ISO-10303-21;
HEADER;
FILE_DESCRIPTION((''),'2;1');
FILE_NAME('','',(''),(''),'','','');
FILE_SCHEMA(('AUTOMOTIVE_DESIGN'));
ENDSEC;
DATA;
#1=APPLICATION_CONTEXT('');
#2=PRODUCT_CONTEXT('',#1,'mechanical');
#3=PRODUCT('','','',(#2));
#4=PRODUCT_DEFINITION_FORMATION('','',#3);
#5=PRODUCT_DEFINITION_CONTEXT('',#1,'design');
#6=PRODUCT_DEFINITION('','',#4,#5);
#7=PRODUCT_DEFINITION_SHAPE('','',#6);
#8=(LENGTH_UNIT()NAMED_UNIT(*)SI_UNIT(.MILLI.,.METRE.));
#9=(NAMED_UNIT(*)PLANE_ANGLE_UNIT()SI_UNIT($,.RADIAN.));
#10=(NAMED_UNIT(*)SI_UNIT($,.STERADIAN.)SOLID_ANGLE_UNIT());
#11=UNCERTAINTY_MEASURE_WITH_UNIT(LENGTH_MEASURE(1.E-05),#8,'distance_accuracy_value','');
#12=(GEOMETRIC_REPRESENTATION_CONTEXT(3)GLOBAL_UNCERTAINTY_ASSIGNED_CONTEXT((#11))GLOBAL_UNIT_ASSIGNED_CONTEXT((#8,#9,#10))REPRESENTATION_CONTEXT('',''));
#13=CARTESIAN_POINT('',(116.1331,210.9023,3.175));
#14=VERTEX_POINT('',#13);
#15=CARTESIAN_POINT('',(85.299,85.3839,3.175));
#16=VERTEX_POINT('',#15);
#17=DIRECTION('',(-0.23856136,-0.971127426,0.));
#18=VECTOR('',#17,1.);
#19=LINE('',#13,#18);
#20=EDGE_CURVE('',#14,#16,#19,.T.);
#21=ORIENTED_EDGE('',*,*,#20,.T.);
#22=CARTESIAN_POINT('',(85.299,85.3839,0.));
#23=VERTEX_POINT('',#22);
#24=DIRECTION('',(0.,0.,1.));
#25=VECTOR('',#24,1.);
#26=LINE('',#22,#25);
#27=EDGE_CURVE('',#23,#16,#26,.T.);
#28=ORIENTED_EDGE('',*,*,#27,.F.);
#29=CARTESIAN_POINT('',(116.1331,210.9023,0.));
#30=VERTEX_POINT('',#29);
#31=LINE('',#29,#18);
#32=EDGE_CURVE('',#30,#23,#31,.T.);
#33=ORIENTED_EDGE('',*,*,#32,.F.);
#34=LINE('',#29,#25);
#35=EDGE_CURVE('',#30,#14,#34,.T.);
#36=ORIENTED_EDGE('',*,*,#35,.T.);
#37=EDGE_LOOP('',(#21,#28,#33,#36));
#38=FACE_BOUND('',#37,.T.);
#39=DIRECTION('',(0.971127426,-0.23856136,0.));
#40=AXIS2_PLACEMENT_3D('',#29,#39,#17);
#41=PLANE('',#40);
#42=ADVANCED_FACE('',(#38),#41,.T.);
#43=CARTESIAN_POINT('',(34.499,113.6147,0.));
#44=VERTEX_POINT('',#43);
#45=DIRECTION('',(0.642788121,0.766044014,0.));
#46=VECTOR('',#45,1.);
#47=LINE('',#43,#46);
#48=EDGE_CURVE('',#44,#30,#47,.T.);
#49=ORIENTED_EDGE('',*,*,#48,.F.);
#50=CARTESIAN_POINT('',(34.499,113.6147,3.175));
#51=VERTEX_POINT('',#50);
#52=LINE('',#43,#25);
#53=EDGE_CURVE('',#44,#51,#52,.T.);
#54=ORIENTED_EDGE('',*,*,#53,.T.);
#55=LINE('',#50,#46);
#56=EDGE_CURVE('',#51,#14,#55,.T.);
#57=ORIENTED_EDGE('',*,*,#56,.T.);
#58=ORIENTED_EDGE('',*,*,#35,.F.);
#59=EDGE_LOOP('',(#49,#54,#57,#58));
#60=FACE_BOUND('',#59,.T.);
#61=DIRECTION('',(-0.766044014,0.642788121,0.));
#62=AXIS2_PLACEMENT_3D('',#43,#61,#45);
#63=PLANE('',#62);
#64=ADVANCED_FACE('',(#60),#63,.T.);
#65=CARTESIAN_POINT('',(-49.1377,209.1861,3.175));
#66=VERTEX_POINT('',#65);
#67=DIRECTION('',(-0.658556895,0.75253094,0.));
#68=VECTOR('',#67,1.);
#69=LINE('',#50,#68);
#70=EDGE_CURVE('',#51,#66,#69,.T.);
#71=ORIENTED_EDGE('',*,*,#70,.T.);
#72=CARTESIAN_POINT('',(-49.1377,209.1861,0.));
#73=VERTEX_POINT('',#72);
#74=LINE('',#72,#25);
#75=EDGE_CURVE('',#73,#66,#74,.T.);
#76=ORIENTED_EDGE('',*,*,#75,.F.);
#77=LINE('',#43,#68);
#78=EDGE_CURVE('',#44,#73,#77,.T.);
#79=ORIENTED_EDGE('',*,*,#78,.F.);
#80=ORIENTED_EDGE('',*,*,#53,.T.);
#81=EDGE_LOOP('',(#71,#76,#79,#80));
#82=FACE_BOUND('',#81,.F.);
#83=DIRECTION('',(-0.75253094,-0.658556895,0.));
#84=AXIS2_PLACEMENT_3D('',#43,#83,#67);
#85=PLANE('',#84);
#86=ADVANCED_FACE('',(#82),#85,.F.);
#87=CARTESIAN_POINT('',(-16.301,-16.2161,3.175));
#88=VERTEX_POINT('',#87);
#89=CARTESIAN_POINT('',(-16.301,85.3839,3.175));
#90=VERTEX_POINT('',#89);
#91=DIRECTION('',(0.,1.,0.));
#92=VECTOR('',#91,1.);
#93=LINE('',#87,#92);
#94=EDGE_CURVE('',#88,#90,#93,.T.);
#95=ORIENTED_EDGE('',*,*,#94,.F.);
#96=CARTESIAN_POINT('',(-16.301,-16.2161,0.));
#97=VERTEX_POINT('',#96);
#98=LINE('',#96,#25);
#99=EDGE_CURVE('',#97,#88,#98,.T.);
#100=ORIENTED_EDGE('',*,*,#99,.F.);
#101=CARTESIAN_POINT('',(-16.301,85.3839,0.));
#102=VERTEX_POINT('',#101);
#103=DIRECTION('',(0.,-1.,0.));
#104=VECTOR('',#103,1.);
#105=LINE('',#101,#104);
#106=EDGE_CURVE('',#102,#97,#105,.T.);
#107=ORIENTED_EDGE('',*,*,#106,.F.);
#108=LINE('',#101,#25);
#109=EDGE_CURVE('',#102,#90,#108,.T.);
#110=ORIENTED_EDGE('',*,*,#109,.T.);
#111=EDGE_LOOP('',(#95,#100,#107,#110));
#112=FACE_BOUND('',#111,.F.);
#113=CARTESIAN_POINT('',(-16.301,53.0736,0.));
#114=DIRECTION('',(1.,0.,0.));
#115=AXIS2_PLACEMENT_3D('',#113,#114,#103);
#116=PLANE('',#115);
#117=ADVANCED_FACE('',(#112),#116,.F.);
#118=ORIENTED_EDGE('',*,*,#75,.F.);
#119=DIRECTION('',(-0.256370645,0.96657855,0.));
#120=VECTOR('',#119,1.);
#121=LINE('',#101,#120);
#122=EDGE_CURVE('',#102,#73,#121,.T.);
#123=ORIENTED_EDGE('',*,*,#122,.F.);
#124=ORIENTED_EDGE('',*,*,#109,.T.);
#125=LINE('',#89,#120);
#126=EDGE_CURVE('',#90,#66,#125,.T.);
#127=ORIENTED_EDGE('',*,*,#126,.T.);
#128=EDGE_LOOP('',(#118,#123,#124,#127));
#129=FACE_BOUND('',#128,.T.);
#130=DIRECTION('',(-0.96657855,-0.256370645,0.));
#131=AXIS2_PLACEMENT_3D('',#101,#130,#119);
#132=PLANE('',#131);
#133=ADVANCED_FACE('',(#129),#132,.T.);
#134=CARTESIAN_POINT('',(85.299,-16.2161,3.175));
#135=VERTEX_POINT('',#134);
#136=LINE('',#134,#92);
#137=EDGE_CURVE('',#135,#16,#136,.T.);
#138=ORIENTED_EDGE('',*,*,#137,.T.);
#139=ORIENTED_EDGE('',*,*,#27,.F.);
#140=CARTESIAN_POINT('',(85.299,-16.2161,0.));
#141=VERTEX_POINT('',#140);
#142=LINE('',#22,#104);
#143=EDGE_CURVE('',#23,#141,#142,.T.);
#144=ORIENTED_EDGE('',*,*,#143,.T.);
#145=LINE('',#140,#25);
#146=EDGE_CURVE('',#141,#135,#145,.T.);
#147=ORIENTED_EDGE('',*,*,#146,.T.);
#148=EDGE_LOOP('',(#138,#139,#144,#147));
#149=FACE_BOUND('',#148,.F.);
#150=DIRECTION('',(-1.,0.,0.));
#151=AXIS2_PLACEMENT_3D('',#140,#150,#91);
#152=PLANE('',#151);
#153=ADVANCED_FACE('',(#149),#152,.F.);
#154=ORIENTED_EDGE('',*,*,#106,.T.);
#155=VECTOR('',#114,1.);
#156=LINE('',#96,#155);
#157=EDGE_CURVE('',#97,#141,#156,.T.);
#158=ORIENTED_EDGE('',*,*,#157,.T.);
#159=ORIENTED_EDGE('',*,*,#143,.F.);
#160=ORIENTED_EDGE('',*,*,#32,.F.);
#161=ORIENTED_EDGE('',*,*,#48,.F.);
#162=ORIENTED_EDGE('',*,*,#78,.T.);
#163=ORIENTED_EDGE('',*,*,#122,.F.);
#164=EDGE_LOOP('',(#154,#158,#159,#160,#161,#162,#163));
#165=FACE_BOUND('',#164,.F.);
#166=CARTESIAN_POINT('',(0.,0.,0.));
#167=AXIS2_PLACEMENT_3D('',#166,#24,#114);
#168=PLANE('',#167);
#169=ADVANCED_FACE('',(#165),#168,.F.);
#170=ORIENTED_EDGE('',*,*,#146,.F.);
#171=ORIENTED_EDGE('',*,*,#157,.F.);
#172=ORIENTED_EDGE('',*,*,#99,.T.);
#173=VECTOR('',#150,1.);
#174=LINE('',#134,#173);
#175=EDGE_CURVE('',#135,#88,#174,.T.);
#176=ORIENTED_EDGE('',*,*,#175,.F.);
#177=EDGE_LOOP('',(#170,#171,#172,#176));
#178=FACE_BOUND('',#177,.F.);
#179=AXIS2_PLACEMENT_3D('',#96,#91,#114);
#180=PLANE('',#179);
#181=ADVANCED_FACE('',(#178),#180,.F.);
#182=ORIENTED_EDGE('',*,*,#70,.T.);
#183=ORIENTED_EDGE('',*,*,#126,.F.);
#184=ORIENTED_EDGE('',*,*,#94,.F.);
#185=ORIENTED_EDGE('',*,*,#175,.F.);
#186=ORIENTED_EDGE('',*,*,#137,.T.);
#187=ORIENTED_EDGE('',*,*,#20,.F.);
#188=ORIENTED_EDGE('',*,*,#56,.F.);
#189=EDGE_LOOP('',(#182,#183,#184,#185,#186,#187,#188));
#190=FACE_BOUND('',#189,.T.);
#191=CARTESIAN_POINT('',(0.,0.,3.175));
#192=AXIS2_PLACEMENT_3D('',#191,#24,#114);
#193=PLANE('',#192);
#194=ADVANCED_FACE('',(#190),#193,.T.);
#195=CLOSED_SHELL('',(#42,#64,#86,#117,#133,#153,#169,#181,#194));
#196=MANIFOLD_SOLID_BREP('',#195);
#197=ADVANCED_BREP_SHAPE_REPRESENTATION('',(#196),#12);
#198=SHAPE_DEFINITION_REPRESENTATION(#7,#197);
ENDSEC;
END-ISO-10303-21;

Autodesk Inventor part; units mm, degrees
ref_plane "YZ Plane" through (0, 0, 0) normal (1, 0, 0) x (0, 1, 0)
ref_plane "XZ Plane" through (0, 0, 0) normal (0, 1, 0) x (-1, 0, 0)
ref_plane "XY Plane" through (0, 0, 0) normal (0, 0, 1) x (1, 0, 0)
sketch "Sketch1" plane through (0, 0, 0) normal (0, 0, 1) x (1, 0, 0)
  line L0 (-16.301, -16.2161) -> (85.299, -16.2161)
  line L1 (85.299, -16.2161) -> (85.299, 85.3839)
  line L2 (85.299, 85.3839) -> (-16.301, 85.3839)
  line L3 (-16.301, 85.3839) -> (-16.301, -16.2161)
  line L4 (34.499, 85.3839) -> (34.499, -16.2161)
  line L5 (34.499, 34.5839) -> (66.7382, 61.6358)
  line L6 (34.499, 34.5839) -> (76.5843, 34.5839) construction
  line L7 (66.7382, 61.6358) -> (85.299, 77.2102)
  line L8 (34.499, 34.5839) -> (-7.0205, 69.423)
  line L9 (34.499, 34.5839) -> (88.699, 34.5839) construction
  line L10 (-7.0205, 69.423) -> (-16.301, 77.2102)
  line L11 (34.499, 34.5839) -> (-4.416, 67.2375)
  line L12 (-4.416, 67.2375) -> (-16.301, 53.0736)
  line L13 (-4.416, 67.2375) -> (10.8106, 85.3839)
  line L14 (34.499, 34.5839) -> (73.4141, 67.2375)
  line L15 (73.4141, 67.2375) -> (37.5423, 109.9879)
  line L16 (37.5423, 109.9879) -> (34.499, 113.6147)
  line L17 (10.8106, 85.3839) -> (34.499, 113.6147)
  line L18 (34.499, 113.6147) -> (-49.1377, 209.1861)
  line L19 (34.499, 113.6147) -> (116.1331, 210.9023)
  line L20 (116.1331, 210.9023) -> (85.299, 85.3839)
  line L21 (-16.301, 85.3839) -> (-49.1377, 209.1861)
  point P0 (0, 0)
  dimension "d0" = 101.6
  dimension "d1" = 101.6
  dimension "d2" = 40
  dimension "d3" = 140
  dimension "d4" = 50.8
  dimension "d5" = 50.8
  dimension "d6" = 127
  dimension "d7" = 127
extrude "Extrusion1" add sketch "Sketch1" along normal blind 3.175
properties part number "130 view"
